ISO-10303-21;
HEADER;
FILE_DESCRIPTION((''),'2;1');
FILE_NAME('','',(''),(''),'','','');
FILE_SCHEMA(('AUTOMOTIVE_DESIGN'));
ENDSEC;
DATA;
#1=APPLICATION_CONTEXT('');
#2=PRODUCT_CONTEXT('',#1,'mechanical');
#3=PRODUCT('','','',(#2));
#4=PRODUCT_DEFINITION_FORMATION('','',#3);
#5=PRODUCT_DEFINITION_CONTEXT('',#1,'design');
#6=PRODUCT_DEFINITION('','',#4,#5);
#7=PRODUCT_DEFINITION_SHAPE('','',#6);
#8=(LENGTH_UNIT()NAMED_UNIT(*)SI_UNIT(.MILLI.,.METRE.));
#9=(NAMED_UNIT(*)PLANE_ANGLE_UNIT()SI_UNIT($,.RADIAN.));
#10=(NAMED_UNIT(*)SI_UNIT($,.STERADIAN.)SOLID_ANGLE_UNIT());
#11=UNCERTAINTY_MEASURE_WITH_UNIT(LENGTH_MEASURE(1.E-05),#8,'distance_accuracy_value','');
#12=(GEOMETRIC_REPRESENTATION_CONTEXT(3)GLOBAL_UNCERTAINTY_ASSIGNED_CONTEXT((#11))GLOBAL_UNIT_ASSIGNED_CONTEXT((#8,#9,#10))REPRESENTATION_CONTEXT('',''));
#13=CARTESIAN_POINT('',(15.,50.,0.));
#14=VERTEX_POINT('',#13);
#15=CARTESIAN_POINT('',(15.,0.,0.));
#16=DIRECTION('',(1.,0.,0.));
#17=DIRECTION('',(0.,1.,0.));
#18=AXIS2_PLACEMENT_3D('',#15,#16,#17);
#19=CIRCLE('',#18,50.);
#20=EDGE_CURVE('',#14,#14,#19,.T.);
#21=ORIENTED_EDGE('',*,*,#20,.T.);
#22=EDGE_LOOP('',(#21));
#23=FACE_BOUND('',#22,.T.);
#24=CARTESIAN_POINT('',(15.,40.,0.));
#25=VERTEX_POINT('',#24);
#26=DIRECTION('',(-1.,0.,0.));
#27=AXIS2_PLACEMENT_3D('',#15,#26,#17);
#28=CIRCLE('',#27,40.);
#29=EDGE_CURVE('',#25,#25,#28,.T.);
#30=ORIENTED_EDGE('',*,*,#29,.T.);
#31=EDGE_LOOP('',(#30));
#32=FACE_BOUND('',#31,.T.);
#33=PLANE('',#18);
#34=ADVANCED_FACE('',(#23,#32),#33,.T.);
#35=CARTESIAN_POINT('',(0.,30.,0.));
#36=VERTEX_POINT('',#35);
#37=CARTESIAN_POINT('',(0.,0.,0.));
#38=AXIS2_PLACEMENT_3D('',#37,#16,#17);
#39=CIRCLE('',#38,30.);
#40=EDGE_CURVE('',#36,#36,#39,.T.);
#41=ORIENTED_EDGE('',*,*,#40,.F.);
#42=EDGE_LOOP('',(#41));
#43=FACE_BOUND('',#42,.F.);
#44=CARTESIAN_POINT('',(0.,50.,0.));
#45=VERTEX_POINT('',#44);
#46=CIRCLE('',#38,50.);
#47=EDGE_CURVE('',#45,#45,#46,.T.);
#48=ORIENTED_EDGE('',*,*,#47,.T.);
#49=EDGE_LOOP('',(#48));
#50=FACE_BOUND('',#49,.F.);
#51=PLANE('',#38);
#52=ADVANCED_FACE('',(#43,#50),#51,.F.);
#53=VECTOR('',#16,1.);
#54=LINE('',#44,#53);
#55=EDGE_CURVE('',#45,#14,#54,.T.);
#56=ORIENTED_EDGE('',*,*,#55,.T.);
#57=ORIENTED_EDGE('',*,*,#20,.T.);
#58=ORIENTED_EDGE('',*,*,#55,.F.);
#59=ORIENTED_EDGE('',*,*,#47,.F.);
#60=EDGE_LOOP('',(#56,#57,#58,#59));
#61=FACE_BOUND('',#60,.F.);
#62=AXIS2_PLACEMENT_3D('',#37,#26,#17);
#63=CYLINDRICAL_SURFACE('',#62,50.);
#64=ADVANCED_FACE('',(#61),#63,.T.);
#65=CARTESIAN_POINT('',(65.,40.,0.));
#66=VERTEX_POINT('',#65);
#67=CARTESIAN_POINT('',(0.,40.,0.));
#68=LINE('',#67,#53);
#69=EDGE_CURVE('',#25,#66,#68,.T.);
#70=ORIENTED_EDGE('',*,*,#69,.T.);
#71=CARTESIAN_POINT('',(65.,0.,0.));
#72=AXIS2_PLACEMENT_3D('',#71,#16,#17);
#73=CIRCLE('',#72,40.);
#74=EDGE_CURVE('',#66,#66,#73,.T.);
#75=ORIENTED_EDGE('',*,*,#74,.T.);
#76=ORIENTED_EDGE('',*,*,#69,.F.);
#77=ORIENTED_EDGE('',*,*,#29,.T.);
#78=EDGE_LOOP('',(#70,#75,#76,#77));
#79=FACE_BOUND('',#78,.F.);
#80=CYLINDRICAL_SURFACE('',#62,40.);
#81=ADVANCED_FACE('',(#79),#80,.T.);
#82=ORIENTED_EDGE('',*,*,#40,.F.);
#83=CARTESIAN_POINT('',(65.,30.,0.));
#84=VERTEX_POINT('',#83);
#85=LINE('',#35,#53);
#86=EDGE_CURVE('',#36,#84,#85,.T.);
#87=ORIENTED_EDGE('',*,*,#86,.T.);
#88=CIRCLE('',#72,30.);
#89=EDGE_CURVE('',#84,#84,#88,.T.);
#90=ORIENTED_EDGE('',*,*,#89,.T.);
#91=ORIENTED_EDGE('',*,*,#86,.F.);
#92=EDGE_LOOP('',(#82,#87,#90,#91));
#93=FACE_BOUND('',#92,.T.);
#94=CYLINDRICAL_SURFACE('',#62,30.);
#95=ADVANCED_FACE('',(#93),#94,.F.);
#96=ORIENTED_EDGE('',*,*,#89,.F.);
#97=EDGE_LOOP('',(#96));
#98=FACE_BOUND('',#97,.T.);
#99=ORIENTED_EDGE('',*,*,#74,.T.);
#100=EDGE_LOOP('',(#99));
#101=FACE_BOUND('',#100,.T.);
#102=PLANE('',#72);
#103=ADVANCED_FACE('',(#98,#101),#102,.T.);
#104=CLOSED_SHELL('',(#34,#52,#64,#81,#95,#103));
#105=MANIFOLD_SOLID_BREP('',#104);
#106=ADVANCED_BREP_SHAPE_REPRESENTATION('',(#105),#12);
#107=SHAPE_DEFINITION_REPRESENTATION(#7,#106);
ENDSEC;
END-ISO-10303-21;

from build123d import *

# Parameters (mm, degrees)
F0_R     = 50
F0_R_2   = 40
F0_R_3   = 30
F1_DEPTH = 15
F2_DEPTH = 65


with BuildPart() as f1:
    # F0 (on Right) → F1 (new body)
    with BuildSketch(Plane.YZ):
        Circle(F0_R)
        Circle(F0_R_2, mode=Mode.SUBTRACT)
        Circle(F0_R_2)
        Circle(F0_R_3, mode=Mode.SUBTRACT)
    extrude(amount=F1_DEPTH)

    # F0 (on Right) → F2 (join)
    with BuildSketch(Plane.YZ):
        Circle(F0_R_2)
        Circle(F0_R_3, mode=Mode.SUBTRACT)
    extrude(amount=F2_DEPTH)


solid = f1.part
